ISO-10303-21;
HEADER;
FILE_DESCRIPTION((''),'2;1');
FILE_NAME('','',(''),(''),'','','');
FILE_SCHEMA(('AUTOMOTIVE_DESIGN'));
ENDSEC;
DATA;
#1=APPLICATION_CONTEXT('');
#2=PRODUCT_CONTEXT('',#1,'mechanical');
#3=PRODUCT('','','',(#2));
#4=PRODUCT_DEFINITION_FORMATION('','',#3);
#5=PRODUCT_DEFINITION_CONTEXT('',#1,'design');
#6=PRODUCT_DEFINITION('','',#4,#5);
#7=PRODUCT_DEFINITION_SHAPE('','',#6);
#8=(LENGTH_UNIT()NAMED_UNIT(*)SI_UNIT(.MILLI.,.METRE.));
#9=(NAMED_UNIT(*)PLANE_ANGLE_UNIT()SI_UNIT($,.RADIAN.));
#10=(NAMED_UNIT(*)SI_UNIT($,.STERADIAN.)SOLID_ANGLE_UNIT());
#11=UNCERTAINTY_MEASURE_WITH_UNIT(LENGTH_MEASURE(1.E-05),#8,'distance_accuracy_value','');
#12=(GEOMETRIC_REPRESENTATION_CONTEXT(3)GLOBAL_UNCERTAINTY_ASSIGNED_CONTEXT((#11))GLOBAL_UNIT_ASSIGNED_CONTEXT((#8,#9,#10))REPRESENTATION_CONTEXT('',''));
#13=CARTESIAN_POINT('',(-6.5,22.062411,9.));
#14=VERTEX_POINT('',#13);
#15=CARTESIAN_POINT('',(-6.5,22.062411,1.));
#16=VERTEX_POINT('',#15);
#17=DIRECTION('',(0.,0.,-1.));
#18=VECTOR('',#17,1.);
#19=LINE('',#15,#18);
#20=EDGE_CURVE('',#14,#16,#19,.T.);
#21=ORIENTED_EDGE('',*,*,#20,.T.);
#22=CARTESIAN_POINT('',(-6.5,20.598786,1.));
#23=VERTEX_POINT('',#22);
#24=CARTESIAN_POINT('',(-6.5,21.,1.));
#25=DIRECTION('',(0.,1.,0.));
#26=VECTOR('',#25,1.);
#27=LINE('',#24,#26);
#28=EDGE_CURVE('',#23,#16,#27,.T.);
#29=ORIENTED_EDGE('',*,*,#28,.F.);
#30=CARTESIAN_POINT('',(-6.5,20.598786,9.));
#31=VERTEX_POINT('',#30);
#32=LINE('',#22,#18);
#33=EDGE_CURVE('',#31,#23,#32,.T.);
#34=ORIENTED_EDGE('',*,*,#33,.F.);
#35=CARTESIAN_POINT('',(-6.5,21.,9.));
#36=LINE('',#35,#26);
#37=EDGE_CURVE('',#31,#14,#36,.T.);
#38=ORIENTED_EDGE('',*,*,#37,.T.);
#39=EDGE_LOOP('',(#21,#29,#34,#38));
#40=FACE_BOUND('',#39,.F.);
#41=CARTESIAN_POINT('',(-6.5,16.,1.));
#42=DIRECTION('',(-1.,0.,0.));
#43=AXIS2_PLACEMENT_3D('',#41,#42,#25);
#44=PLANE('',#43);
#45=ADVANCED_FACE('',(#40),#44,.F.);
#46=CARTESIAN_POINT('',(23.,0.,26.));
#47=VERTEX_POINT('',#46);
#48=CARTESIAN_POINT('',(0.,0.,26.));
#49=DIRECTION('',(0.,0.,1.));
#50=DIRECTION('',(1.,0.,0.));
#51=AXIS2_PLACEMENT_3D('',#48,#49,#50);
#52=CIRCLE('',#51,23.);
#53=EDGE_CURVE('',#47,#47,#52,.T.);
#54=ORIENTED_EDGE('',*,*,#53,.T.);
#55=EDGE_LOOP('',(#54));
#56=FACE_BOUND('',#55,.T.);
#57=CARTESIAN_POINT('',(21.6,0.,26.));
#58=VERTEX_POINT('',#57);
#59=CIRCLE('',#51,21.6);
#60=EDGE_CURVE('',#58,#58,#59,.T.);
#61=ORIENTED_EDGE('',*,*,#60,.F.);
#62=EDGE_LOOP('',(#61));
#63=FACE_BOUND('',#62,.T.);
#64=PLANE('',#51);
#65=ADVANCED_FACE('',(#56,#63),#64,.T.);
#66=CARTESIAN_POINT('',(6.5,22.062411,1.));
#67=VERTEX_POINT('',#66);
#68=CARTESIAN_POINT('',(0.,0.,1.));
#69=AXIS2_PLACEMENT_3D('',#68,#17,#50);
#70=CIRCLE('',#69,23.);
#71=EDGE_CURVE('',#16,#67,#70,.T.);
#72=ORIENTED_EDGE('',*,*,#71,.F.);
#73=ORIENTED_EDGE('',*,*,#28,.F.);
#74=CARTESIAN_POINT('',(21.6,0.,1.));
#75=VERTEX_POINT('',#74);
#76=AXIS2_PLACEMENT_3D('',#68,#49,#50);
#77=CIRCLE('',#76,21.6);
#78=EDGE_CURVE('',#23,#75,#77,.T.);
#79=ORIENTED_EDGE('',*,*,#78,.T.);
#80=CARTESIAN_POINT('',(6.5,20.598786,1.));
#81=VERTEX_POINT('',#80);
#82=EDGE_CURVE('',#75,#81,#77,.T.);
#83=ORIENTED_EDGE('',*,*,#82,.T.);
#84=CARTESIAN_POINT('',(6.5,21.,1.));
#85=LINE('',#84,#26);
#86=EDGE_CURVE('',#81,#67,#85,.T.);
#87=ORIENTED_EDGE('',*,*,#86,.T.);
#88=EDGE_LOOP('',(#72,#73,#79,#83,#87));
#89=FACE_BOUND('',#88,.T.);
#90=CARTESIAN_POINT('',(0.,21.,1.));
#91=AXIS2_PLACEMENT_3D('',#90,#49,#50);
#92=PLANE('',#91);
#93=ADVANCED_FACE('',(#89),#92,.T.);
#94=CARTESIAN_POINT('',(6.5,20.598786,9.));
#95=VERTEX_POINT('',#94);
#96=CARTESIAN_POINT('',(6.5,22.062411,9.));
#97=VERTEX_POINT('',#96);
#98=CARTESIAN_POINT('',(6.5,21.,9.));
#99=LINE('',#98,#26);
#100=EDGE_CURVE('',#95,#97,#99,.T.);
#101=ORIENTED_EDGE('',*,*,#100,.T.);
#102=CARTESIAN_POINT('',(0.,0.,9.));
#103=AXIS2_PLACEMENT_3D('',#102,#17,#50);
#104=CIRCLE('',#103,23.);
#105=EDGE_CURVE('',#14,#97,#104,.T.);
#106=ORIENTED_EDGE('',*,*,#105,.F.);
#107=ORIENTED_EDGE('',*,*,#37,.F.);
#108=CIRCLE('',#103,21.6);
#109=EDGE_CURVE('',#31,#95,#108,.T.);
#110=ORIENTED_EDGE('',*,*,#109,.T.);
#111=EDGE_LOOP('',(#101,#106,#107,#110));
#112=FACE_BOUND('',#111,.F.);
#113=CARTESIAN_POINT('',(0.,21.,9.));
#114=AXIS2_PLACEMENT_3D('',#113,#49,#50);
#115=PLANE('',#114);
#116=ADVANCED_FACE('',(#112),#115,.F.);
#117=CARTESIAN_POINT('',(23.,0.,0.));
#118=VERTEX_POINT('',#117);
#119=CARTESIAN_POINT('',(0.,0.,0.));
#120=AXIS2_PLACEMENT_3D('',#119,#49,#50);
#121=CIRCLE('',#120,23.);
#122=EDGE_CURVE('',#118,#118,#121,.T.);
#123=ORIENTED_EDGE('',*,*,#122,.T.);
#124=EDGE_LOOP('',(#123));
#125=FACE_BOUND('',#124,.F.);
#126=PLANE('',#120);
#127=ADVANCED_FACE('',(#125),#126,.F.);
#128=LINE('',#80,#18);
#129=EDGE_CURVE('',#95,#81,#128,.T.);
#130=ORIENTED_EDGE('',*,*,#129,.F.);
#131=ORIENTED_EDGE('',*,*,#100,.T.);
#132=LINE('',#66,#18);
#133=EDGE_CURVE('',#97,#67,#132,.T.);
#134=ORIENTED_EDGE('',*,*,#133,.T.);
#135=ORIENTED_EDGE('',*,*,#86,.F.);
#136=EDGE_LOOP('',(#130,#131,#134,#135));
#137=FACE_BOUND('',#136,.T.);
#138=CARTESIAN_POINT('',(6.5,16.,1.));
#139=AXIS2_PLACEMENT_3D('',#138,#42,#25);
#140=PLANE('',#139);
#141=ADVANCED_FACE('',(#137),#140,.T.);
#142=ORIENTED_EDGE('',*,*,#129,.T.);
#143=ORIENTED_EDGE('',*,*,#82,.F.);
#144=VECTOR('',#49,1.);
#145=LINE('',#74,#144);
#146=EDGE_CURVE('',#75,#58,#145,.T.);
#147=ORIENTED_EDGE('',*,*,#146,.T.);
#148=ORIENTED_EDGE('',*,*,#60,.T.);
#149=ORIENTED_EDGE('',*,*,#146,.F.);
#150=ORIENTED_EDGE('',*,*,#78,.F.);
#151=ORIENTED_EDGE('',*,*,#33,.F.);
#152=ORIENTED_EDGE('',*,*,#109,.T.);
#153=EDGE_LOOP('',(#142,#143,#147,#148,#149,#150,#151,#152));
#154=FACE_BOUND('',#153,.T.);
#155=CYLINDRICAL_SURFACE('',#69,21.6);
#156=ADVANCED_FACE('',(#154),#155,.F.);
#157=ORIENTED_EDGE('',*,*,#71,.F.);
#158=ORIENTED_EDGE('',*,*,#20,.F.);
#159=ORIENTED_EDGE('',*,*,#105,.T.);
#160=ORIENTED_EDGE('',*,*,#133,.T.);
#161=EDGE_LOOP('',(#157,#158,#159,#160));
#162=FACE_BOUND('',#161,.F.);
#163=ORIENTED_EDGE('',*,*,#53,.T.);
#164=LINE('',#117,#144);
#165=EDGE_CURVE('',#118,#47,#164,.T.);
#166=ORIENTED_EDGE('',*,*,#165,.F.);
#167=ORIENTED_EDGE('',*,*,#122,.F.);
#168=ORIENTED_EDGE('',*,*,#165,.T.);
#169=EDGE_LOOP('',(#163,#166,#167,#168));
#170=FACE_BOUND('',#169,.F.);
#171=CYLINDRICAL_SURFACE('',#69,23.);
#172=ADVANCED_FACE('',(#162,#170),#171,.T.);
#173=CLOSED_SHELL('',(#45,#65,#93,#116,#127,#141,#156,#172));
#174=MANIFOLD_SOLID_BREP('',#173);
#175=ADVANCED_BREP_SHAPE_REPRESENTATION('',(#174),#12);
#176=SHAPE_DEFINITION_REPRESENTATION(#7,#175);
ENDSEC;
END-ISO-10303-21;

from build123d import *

# Parameters (mm, degrees)
BOX_W         = 13
BOX_H         = 10
BOX_DEPTH     = 8
SKETCH_R      = 23
PAD_DEPTH     = 1
SKETCH001_R   = 23
SKETCH001_R_2 = 21.6
PAD001_DEPTH  = 25


with BuildPart() as usb:
    # Box → Box (new body)
    with BuildSketch(Plane(origin=(-6.5, 16, 1), x_dir=(1, 0, 0), z_dir=(0, 0, 1))):
        with Locations((6.5, 5)):
            Rectangle(BOX_W, BOX_H)
    extrude(amount=BOX_DEPTH)


with BuildPart() as cut:
    # Sketch → Pad (new body)
    with BuildSketch(Plane.XY):
        Circle(SKETCH_R)
    extrude(amount=PAD_DEPTH)

    # Sketch001 (on Face3 of Pad) → Pad001 (join)
    with BuildSketch(Plane.XY.offset(1)):
        Circle(SKETCH001_R)
        Circle(SKETCH001_R_2, mode=Mode.SUBTRACT)
    extrude(amount=PAD001_DEPTH)

    # Cut: cut USB
    add(usb.part, mode=Mode.SUBTRACT)


solid = cut.part
